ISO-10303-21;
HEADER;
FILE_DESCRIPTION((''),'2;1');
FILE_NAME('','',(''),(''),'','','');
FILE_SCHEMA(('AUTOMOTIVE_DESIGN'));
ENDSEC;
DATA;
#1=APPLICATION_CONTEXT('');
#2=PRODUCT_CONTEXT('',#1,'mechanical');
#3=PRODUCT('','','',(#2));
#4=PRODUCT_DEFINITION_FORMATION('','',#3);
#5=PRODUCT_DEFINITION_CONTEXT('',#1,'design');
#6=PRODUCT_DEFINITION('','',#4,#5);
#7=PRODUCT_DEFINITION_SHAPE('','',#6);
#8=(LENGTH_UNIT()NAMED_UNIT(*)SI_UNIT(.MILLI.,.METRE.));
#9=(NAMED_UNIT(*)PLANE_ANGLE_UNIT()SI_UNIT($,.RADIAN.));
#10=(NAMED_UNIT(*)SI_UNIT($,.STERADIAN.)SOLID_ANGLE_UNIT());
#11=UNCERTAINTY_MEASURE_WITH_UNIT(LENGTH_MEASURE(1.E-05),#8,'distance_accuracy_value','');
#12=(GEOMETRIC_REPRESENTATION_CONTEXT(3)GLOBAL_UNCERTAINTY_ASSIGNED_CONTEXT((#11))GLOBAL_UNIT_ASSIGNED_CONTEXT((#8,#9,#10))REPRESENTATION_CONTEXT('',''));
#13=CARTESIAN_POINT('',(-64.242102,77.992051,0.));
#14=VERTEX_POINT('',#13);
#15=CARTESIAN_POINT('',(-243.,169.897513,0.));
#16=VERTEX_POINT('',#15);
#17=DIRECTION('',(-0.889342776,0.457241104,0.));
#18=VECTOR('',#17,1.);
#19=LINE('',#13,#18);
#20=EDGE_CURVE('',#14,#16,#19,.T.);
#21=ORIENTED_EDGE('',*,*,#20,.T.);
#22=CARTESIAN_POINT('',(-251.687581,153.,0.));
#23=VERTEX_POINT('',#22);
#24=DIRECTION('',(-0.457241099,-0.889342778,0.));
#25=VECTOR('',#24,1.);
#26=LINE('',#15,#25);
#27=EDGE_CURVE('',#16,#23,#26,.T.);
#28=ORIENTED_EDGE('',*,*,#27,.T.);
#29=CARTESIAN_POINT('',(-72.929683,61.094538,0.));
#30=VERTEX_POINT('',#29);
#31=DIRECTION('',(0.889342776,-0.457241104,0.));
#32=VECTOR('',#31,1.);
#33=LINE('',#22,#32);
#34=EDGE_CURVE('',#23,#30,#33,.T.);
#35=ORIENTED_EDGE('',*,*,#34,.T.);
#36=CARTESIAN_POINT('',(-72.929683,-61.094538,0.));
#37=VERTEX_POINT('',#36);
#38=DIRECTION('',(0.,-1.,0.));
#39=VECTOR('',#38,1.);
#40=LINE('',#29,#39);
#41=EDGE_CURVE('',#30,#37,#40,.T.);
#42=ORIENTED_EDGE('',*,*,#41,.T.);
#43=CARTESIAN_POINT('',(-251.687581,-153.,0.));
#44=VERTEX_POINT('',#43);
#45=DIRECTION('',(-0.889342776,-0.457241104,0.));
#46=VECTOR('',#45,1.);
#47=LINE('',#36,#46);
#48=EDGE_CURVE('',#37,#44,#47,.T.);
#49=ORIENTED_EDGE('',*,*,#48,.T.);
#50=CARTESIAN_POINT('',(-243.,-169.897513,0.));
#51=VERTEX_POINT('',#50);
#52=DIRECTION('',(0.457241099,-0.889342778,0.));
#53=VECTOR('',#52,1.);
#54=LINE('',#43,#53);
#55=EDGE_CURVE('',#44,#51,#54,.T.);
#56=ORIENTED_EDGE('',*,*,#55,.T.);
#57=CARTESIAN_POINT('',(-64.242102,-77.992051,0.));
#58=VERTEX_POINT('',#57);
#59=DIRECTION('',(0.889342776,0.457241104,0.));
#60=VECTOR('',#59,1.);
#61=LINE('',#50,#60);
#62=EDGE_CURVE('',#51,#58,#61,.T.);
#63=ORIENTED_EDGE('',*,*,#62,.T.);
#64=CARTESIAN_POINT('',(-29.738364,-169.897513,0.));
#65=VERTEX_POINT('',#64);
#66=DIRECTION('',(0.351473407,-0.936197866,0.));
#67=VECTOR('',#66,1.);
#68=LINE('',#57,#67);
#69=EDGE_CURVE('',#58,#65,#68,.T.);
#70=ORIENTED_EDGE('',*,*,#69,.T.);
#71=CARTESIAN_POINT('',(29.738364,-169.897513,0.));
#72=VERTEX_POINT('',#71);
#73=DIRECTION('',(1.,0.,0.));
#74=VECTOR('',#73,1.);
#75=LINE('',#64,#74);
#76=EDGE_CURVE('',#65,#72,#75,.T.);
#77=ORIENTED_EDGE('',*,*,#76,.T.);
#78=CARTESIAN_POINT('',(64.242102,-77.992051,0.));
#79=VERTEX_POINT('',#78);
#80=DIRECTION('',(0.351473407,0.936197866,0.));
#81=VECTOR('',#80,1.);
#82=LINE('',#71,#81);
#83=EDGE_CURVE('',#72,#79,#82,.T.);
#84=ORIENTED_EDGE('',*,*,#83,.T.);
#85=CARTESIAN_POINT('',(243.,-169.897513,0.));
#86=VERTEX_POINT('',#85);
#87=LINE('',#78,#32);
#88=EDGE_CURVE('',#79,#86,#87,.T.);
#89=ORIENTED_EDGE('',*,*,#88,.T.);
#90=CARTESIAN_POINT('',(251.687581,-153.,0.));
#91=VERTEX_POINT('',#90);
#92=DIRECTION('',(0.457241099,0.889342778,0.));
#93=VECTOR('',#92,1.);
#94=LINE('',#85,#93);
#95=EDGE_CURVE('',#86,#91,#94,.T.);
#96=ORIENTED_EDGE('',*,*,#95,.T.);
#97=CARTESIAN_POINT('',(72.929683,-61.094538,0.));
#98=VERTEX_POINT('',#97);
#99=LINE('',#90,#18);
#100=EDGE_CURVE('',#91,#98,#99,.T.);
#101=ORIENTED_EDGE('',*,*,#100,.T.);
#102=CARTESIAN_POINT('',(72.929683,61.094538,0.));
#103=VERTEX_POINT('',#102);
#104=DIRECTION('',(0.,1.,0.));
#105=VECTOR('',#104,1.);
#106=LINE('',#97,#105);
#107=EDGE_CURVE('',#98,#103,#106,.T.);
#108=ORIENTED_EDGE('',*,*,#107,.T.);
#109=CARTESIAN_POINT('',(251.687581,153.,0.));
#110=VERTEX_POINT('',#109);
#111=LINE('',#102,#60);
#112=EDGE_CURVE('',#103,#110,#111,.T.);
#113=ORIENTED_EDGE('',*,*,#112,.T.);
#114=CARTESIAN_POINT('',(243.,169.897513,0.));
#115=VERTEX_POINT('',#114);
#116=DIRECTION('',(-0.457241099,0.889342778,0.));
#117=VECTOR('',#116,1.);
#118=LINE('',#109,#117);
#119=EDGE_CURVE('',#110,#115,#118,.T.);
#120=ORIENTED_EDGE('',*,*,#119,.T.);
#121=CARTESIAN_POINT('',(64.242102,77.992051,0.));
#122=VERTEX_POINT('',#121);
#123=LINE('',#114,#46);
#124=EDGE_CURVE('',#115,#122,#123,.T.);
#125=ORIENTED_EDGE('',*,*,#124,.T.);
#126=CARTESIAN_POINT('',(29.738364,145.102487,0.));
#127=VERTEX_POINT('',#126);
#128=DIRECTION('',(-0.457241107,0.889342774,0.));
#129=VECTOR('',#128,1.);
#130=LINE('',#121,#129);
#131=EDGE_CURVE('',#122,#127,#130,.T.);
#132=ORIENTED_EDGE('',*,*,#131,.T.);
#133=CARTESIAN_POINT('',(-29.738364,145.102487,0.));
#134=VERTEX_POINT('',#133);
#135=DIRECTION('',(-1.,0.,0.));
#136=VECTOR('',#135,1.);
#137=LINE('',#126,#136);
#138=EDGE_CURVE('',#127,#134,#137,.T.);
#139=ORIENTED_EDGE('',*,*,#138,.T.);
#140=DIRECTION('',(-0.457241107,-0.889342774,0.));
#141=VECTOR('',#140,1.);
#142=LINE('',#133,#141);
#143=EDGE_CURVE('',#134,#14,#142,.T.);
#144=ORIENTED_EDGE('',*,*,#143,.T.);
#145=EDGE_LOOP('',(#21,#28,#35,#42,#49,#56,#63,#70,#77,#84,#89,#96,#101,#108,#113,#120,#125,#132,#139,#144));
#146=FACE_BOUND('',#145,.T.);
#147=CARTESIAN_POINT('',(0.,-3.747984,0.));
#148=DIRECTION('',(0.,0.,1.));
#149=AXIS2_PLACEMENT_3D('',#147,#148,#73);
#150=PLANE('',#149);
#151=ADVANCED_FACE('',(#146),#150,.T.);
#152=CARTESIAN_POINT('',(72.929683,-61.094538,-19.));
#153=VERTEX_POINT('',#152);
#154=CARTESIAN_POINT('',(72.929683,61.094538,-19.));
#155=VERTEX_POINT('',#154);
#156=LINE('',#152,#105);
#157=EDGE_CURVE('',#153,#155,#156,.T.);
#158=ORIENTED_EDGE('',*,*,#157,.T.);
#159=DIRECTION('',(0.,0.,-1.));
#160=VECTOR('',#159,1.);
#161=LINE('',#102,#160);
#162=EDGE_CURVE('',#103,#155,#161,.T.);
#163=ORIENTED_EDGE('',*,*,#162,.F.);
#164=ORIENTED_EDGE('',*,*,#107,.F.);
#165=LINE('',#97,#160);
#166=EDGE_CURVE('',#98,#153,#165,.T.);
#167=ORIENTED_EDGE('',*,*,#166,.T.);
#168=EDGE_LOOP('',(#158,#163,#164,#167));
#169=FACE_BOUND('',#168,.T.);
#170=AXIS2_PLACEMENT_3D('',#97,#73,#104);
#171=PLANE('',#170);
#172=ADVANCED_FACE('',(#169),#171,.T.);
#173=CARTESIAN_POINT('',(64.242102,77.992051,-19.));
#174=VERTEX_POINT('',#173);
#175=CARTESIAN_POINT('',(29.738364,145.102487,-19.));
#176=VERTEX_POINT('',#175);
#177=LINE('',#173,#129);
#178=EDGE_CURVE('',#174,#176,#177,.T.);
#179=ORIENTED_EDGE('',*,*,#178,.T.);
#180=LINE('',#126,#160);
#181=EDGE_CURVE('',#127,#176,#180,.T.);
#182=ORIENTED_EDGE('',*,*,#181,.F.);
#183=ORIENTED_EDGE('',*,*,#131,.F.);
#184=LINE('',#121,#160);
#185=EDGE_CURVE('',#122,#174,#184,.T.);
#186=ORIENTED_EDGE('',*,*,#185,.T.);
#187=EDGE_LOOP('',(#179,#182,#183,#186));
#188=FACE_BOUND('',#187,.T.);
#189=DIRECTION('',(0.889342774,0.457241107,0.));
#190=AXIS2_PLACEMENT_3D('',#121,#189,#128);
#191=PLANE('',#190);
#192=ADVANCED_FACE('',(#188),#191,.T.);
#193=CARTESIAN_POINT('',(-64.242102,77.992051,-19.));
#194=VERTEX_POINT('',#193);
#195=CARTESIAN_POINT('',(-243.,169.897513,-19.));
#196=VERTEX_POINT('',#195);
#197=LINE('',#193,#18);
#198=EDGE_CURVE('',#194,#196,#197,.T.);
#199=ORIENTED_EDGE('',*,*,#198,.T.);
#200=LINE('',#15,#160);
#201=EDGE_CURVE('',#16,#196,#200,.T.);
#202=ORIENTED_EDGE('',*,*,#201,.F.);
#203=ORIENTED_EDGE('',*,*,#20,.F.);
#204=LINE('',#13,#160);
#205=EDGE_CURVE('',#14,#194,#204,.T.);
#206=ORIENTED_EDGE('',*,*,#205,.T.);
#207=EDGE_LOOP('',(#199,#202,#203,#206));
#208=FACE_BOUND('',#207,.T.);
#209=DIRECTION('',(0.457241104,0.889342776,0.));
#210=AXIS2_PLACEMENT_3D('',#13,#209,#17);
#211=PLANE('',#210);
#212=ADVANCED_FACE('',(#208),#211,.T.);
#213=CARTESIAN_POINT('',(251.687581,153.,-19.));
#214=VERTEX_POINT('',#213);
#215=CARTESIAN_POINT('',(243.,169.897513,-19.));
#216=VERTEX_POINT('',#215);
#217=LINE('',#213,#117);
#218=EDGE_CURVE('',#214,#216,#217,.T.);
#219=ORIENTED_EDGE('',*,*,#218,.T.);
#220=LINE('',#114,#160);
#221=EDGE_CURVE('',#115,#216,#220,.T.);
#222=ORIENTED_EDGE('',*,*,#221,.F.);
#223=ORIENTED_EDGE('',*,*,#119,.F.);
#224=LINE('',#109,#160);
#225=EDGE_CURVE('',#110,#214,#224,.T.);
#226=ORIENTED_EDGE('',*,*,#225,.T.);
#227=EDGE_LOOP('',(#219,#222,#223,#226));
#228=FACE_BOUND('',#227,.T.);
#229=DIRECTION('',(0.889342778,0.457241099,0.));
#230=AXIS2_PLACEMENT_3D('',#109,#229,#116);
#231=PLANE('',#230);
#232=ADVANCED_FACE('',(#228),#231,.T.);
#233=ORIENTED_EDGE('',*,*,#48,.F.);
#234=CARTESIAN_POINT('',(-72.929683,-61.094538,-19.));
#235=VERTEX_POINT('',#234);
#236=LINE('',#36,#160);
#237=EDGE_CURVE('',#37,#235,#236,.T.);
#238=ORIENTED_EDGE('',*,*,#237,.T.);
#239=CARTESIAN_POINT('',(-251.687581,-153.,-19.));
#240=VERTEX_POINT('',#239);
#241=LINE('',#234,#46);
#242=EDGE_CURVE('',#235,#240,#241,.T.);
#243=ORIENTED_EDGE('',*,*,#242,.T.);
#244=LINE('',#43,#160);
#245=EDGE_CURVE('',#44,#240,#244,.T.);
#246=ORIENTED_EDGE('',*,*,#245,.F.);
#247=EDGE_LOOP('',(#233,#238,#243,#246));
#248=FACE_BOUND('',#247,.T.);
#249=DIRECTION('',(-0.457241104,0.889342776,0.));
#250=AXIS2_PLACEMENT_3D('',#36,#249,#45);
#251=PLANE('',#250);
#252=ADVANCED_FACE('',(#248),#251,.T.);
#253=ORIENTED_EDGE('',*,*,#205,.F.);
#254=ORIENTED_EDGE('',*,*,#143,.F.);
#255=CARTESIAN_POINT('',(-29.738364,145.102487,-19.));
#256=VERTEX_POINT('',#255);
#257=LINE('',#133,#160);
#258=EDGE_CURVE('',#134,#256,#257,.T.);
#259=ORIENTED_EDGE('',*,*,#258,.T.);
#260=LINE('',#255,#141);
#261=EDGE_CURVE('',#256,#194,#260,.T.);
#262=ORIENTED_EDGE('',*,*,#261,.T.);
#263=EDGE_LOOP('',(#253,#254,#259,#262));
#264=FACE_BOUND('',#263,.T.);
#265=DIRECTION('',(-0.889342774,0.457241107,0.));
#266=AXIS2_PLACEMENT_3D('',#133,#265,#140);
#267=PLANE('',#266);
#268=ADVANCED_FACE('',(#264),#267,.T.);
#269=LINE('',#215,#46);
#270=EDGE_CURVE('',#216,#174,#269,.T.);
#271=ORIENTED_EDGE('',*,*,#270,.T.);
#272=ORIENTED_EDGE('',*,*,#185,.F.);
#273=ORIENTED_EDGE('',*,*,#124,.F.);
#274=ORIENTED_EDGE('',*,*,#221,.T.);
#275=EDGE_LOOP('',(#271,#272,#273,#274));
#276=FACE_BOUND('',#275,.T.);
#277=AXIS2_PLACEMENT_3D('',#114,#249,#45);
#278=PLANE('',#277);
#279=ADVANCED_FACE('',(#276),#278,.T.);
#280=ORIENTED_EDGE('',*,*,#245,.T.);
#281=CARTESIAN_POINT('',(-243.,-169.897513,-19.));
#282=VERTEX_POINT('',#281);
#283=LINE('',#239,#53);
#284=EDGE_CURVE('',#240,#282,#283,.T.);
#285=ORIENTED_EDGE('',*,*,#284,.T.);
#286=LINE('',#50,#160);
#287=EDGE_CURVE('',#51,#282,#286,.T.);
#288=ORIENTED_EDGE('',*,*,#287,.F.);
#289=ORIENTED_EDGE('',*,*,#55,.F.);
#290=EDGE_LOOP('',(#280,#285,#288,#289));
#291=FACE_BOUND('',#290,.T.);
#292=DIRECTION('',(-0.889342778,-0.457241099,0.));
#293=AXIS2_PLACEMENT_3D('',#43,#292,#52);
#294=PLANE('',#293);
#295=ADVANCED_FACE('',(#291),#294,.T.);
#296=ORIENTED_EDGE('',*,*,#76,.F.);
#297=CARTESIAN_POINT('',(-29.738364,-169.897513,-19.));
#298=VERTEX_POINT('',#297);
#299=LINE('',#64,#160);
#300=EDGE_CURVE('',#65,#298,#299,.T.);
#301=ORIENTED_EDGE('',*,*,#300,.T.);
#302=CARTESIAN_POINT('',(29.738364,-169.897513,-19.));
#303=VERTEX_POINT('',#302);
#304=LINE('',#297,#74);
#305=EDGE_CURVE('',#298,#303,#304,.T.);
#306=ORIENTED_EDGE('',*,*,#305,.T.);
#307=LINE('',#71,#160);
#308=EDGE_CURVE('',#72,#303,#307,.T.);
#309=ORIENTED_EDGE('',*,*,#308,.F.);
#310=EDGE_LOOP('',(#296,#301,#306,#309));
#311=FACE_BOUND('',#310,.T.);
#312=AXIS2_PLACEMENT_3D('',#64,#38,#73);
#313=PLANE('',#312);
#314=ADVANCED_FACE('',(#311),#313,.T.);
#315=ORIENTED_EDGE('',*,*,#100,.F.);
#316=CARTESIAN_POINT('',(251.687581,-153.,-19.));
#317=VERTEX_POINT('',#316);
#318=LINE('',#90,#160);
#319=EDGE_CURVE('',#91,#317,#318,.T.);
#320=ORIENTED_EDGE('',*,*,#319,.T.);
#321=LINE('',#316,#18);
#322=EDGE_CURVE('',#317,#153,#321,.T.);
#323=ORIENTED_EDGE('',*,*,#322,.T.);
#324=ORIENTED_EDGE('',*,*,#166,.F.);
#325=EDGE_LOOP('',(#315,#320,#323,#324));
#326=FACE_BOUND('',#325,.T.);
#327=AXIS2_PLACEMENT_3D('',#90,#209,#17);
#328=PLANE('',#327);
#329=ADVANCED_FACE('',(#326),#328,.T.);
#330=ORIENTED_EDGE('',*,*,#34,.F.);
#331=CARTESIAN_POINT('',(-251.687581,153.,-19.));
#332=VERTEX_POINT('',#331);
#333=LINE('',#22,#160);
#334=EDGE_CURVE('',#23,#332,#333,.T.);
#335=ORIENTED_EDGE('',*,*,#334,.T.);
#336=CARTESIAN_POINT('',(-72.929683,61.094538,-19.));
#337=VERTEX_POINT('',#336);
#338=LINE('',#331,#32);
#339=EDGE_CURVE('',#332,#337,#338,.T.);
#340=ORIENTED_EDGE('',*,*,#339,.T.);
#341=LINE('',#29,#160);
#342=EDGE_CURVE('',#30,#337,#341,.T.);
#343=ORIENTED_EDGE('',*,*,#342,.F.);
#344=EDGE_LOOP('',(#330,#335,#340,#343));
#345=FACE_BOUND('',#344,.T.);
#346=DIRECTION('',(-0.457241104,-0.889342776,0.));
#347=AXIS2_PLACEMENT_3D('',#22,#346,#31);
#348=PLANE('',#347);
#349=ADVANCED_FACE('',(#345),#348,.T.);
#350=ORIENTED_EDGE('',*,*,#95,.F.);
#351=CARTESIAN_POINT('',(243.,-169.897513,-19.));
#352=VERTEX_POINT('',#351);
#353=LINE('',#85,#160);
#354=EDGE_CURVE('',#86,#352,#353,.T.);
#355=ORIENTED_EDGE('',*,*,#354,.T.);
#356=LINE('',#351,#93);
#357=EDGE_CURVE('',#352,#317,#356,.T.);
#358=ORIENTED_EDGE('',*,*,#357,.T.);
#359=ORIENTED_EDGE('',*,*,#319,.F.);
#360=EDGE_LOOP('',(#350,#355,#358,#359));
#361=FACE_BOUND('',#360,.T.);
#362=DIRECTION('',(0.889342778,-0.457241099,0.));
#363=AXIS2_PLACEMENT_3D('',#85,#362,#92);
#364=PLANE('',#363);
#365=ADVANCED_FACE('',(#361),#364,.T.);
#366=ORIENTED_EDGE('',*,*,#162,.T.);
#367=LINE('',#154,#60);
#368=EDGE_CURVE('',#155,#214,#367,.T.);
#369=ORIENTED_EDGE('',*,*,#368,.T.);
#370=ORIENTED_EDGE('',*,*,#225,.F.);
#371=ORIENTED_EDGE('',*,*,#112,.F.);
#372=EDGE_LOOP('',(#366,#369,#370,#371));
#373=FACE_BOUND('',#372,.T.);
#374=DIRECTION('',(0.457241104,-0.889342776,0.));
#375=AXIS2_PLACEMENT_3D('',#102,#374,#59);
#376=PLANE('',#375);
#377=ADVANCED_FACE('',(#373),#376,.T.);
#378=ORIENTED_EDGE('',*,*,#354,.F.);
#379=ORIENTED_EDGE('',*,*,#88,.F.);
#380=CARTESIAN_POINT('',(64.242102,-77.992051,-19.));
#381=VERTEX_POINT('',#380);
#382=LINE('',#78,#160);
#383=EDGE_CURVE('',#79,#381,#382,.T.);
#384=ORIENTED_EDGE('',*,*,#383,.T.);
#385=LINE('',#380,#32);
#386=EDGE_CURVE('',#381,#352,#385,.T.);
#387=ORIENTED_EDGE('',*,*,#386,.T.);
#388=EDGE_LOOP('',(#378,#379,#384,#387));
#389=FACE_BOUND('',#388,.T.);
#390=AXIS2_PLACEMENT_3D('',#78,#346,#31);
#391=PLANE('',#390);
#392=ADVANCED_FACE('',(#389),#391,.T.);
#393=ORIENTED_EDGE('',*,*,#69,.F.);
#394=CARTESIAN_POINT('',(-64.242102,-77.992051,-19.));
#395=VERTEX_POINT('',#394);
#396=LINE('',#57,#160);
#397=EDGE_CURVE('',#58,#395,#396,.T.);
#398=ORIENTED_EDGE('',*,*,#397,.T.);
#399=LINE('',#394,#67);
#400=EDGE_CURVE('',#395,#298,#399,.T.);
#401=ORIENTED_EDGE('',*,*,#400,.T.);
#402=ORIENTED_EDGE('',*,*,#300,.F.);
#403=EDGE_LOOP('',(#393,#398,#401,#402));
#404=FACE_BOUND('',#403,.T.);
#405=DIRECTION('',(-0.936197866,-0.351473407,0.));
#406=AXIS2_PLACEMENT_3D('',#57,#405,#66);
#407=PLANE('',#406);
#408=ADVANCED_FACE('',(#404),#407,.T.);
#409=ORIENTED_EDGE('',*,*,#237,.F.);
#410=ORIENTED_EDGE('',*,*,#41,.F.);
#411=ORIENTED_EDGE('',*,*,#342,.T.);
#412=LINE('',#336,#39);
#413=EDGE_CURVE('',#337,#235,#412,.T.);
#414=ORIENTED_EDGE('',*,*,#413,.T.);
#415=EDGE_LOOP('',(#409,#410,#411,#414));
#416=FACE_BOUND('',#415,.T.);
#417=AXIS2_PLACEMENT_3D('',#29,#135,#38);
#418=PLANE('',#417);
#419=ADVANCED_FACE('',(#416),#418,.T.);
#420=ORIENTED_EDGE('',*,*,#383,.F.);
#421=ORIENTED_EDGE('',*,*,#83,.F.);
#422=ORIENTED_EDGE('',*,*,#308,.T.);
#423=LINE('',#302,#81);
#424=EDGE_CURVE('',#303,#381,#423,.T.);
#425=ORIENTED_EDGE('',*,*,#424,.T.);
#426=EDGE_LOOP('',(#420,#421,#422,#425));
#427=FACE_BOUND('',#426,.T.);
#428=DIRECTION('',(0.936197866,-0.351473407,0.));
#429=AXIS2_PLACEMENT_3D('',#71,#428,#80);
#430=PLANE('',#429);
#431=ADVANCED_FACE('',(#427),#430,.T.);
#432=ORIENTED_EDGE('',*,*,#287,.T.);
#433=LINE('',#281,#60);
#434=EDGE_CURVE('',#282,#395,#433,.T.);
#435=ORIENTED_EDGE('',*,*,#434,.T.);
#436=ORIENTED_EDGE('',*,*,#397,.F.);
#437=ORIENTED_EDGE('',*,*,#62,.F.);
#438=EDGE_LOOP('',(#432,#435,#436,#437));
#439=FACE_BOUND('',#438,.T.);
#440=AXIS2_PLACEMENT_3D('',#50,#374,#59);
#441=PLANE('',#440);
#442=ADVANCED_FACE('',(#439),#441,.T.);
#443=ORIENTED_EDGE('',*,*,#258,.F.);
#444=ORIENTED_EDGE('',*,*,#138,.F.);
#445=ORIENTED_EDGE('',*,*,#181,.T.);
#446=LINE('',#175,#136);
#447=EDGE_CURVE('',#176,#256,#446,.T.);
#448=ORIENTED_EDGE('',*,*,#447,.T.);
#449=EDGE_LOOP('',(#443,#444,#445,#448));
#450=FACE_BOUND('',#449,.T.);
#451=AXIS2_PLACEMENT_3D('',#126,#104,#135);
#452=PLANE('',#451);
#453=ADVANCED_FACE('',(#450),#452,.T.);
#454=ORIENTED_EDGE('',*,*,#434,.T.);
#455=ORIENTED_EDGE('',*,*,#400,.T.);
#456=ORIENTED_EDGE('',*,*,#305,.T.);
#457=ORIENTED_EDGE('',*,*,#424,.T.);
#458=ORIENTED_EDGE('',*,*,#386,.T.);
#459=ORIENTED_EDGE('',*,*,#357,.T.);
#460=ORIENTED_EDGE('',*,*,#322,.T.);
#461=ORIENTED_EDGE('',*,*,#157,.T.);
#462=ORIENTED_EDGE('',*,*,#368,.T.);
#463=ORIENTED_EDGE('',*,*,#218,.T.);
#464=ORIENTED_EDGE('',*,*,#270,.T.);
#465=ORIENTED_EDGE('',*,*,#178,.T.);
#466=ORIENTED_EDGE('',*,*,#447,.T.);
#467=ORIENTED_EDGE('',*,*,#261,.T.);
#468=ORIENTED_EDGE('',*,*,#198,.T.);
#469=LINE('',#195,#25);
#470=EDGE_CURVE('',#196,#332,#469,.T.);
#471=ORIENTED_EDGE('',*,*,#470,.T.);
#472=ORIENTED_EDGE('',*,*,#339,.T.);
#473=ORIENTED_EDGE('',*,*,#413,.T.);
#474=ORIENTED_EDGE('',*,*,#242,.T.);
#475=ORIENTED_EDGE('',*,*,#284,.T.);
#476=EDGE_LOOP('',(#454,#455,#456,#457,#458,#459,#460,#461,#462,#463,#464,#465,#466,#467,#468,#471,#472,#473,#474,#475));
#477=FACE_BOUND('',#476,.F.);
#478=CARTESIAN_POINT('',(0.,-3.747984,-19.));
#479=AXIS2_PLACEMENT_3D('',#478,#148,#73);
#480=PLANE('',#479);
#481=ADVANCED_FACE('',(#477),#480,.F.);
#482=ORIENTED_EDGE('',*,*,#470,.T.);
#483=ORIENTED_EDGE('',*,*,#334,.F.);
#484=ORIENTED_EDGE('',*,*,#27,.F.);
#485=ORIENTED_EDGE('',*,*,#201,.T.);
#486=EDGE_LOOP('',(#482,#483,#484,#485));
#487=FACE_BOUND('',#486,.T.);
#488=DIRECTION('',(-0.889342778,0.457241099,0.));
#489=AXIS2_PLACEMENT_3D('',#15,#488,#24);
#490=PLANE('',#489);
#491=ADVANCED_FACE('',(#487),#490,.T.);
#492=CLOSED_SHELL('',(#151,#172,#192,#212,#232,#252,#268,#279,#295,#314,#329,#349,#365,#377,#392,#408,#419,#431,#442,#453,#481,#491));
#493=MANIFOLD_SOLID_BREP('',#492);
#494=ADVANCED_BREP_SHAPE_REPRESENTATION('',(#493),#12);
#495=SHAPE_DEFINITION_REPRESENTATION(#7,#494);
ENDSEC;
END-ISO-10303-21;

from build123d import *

# Parameters (mm, degrees)
F1_DEPTH = 19


with BuildPart() as f1:
    # F0 (on Top) → F1 (new body)
    with BuildSketch(Plane.XY):
        Polygon((-64.242102, 77.992051), (-243, 169.897513), (-251.687581, 153), (-72.929683, 61.094538), (-72.929683, -61.094538), (-251.687581, -153), (-243, -169.897513), (-64.242102, -77.992051), (-29.738364, -169.897513), (0, -169.897513), (29.738364, -169.897513), (64.242102, -77.992051), (243, -169.897513), (251.687581, -153), (72.929683, -61.094538), (72.929683, 61.094538), (251.687581, 153), (243, 169.897513), (64.242102, 77.992051), (29.738364, 145.102487), (0, 145.102487), (-29.738364, 145.102487), align=None)
    extrude(amount=-F1_DEPTH)


solid = f1.part
